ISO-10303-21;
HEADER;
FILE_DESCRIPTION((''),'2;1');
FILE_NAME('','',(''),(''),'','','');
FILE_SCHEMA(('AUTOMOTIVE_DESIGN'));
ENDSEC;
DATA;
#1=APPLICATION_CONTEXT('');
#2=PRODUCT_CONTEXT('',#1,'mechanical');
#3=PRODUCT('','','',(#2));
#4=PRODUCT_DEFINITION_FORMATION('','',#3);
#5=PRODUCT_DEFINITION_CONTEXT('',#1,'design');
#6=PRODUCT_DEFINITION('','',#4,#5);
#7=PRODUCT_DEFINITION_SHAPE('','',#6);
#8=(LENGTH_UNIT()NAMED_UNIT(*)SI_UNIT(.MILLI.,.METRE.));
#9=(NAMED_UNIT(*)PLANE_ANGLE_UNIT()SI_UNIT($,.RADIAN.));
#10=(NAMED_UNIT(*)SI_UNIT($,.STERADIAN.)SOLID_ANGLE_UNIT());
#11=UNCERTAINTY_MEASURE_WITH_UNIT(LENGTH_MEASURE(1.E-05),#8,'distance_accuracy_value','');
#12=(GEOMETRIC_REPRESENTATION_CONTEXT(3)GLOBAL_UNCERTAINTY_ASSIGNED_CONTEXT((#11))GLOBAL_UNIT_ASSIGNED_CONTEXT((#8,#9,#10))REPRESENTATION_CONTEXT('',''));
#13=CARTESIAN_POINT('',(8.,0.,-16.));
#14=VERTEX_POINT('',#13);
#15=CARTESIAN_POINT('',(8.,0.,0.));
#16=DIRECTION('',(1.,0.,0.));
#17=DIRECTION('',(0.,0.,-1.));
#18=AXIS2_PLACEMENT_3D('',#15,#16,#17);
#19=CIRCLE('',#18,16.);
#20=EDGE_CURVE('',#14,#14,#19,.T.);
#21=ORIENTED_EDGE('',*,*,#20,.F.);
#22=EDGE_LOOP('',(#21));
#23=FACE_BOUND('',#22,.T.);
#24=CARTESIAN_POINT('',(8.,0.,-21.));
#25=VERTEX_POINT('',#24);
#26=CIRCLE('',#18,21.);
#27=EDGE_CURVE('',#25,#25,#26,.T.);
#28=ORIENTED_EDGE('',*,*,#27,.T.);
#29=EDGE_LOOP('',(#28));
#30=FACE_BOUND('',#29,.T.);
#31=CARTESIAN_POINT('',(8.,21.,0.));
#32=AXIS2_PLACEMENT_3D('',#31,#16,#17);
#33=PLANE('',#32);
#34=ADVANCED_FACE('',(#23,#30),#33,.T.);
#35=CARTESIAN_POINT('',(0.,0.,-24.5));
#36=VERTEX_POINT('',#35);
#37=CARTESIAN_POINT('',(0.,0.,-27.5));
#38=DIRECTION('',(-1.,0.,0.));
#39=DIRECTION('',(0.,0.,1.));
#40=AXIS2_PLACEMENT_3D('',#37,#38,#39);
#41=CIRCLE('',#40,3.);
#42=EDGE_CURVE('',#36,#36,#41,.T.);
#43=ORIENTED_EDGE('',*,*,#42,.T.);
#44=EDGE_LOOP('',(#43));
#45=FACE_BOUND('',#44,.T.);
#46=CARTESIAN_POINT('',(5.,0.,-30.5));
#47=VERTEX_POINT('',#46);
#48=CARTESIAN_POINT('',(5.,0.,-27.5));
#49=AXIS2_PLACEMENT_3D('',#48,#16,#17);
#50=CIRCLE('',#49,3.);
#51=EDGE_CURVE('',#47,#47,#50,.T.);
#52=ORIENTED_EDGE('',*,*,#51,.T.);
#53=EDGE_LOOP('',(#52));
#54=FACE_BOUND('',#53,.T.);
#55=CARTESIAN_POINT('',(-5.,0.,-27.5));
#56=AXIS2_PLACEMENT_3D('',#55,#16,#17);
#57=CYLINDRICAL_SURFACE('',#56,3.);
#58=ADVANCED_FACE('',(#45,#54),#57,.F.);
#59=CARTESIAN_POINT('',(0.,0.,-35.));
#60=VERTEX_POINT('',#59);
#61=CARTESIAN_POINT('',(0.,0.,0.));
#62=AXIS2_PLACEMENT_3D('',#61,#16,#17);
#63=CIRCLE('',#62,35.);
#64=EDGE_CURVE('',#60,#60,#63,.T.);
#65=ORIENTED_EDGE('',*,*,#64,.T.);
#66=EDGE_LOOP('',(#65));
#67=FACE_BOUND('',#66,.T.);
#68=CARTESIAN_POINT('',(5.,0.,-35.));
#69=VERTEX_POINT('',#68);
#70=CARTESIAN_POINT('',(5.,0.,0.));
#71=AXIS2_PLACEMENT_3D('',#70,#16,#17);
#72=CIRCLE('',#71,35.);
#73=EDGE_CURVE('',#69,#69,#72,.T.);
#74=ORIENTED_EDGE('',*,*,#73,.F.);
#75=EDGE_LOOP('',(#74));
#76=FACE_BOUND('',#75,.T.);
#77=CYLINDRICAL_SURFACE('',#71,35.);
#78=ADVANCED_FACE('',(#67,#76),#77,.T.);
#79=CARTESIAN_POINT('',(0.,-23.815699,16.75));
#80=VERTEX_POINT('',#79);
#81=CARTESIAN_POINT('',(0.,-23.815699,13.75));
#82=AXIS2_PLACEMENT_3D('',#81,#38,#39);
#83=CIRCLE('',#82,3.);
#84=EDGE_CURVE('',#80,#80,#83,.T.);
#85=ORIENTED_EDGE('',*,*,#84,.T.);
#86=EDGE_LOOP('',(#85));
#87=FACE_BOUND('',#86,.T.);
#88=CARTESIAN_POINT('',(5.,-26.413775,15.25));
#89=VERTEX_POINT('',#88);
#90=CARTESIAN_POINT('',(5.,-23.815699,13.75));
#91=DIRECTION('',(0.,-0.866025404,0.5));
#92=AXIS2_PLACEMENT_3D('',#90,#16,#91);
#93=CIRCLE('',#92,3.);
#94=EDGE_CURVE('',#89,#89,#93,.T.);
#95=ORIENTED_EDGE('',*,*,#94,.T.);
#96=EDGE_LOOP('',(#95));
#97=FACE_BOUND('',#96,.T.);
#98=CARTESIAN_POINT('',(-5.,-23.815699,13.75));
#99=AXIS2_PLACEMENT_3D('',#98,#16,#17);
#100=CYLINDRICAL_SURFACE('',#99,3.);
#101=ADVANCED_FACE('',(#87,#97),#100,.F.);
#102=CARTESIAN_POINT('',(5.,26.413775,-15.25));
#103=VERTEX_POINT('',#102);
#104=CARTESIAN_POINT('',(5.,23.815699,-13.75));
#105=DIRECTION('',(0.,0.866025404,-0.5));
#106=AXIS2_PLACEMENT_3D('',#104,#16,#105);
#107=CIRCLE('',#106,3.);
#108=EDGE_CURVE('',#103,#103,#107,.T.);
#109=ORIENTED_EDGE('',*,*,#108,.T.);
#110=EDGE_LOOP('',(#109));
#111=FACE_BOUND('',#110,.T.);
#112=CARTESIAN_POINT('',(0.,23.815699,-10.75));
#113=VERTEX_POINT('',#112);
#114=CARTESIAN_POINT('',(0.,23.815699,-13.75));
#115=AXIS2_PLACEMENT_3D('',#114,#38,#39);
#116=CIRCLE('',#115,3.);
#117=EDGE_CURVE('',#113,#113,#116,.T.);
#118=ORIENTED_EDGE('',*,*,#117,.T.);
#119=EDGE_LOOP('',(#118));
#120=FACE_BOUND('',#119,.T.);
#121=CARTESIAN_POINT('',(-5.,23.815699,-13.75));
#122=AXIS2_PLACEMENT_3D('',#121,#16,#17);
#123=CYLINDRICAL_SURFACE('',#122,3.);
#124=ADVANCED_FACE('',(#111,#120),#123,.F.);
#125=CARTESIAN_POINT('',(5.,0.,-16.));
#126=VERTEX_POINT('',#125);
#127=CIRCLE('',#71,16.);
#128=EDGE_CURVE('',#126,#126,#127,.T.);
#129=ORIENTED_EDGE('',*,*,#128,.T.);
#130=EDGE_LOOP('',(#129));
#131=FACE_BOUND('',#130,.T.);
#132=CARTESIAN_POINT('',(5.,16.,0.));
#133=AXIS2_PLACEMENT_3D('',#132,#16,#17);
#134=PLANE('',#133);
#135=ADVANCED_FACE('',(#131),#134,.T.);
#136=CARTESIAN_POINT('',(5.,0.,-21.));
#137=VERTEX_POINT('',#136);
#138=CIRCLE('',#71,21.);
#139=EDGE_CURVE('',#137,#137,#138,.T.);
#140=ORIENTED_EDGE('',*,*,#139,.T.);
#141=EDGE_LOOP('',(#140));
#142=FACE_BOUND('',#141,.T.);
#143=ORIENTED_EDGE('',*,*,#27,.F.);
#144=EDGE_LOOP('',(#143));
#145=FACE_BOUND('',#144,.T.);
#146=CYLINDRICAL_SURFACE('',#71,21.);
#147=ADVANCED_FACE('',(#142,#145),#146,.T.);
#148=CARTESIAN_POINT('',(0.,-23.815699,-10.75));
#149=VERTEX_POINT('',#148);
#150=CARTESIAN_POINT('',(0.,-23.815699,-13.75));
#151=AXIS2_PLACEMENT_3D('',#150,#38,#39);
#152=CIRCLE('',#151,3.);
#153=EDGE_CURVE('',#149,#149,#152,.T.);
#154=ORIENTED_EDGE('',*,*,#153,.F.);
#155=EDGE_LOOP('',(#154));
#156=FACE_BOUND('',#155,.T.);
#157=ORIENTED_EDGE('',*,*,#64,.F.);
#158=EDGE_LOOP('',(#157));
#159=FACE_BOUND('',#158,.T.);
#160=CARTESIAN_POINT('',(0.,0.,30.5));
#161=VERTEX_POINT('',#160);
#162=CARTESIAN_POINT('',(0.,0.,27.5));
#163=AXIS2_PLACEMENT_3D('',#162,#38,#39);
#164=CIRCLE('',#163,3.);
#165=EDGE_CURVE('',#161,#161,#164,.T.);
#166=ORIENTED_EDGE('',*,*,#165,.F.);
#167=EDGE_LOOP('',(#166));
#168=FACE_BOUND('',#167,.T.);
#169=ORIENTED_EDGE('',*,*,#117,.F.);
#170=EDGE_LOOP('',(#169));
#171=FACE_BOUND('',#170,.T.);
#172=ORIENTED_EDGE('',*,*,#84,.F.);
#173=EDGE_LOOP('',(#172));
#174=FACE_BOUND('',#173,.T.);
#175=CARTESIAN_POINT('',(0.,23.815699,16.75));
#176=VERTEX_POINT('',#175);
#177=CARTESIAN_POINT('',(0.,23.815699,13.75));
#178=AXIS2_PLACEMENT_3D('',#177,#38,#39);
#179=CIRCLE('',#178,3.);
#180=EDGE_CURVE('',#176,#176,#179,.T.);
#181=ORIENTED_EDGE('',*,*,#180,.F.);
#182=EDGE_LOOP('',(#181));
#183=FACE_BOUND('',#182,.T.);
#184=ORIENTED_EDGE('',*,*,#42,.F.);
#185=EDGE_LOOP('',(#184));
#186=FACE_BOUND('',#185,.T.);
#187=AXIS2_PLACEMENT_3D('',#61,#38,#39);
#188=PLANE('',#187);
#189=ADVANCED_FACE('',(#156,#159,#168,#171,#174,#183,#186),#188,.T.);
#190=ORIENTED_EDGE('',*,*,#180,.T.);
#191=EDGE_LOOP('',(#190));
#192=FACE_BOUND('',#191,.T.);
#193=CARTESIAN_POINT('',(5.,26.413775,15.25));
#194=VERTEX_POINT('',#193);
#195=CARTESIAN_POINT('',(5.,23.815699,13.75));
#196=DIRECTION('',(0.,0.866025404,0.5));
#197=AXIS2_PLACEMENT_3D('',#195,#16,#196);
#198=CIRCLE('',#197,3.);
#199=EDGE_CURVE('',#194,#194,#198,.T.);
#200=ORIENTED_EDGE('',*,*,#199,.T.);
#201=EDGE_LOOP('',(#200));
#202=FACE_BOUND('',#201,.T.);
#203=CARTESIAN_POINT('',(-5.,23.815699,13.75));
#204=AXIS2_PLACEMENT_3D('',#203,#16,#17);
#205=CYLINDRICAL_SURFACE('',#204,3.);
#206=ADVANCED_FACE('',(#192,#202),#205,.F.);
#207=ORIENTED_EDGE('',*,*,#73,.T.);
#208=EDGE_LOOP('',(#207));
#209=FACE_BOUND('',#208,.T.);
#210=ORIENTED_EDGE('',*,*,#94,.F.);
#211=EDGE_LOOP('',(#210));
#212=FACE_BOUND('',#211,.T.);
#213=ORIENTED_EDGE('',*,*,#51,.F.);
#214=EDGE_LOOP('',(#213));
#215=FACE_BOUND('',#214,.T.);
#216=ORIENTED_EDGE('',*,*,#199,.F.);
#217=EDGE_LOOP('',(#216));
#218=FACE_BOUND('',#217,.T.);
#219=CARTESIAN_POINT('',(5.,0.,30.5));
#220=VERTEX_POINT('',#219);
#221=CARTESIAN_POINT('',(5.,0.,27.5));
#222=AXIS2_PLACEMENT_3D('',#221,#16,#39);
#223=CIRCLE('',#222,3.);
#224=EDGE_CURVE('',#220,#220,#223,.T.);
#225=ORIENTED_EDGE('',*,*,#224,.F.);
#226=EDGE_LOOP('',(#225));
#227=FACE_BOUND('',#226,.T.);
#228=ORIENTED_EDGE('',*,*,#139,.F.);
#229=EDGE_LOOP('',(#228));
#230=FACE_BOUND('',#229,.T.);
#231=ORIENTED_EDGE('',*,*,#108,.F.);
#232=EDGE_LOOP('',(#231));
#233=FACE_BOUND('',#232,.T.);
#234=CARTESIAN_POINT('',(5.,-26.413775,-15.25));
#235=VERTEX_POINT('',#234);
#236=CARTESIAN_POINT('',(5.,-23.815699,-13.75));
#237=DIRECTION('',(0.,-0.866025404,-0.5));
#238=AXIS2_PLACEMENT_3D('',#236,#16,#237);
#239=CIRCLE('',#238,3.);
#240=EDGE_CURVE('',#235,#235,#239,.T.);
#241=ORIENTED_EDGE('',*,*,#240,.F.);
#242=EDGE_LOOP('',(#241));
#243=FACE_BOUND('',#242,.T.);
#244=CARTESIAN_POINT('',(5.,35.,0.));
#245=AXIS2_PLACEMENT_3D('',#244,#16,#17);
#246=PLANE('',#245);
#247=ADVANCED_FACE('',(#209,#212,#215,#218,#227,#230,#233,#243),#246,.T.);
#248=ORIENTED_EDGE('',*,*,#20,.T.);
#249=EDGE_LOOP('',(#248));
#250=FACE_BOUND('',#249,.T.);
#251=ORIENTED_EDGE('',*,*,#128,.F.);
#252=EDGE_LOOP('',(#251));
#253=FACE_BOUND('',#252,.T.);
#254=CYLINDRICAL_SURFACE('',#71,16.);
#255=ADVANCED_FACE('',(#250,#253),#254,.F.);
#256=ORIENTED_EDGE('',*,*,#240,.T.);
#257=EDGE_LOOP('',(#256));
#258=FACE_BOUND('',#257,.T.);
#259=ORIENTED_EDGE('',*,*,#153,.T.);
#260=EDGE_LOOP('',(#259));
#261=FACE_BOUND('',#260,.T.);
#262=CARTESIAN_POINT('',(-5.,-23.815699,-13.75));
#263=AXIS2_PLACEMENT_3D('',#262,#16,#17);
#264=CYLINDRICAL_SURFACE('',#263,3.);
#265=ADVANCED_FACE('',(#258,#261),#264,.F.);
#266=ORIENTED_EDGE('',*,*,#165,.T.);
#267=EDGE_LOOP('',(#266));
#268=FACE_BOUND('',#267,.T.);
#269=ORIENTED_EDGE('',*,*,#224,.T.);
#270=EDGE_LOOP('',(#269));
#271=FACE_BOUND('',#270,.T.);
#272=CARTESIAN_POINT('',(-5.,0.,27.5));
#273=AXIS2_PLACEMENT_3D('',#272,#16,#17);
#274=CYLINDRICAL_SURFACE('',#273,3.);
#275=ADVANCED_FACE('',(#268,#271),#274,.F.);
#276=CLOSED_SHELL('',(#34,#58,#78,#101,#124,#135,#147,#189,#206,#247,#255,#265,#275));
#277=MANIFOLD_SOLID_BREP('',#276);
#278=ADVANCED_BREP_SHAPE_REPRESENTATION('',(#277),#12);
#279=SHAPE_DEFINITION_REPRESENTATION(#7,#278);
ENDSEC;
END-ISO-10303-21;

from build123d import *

# Parameters (mm, degrees)
SKETCH2_R          = 3
CUT_EXTRUDE1_DEPTH = 10
CIRPATTERN1_COUNT  = 6


with BuildPart() as part:
    # Sketch1 → Revolve1 (revolve)
    with BuildSketch(Plane.XY):
        Polygon((0, 35), (5, 35), (5, 21), (8, 21), (8, 16), (5, 16), (5, 0), (0, 0), align=None)
    revolve(axis=Axis((5, 0, 0), (-1, 0, 0)))

    # Sketch2 → Cut-Extrude1 (cut)
    with BuildSketch(Plane(origin=(5, 0, 0), x_dir=(0, 0, -1), z_dir=(1, 0, 0))):
        with Locations((27.5, 0)):
            Circle(SKETCH2_R)
    cut_extrude1 = extrude(amount=-CUT_EXTRUDE1_DEPTH, mode=Mode.SUBTRACT)

    # CirPattern1: Cut-Extrude1 ×6 about axis
    cirpattern1_axis = Axis((0, 0, 0), (1, 0, 0))
    for i in range(1, CIRPATTERN1_COUNT):
        add(cut_extrude1.rotate(cirpattern1_axis, i * 360 / CIRPATTERN1_COUNT), mode=Mode.SUBTRACT)


solid = part.part
